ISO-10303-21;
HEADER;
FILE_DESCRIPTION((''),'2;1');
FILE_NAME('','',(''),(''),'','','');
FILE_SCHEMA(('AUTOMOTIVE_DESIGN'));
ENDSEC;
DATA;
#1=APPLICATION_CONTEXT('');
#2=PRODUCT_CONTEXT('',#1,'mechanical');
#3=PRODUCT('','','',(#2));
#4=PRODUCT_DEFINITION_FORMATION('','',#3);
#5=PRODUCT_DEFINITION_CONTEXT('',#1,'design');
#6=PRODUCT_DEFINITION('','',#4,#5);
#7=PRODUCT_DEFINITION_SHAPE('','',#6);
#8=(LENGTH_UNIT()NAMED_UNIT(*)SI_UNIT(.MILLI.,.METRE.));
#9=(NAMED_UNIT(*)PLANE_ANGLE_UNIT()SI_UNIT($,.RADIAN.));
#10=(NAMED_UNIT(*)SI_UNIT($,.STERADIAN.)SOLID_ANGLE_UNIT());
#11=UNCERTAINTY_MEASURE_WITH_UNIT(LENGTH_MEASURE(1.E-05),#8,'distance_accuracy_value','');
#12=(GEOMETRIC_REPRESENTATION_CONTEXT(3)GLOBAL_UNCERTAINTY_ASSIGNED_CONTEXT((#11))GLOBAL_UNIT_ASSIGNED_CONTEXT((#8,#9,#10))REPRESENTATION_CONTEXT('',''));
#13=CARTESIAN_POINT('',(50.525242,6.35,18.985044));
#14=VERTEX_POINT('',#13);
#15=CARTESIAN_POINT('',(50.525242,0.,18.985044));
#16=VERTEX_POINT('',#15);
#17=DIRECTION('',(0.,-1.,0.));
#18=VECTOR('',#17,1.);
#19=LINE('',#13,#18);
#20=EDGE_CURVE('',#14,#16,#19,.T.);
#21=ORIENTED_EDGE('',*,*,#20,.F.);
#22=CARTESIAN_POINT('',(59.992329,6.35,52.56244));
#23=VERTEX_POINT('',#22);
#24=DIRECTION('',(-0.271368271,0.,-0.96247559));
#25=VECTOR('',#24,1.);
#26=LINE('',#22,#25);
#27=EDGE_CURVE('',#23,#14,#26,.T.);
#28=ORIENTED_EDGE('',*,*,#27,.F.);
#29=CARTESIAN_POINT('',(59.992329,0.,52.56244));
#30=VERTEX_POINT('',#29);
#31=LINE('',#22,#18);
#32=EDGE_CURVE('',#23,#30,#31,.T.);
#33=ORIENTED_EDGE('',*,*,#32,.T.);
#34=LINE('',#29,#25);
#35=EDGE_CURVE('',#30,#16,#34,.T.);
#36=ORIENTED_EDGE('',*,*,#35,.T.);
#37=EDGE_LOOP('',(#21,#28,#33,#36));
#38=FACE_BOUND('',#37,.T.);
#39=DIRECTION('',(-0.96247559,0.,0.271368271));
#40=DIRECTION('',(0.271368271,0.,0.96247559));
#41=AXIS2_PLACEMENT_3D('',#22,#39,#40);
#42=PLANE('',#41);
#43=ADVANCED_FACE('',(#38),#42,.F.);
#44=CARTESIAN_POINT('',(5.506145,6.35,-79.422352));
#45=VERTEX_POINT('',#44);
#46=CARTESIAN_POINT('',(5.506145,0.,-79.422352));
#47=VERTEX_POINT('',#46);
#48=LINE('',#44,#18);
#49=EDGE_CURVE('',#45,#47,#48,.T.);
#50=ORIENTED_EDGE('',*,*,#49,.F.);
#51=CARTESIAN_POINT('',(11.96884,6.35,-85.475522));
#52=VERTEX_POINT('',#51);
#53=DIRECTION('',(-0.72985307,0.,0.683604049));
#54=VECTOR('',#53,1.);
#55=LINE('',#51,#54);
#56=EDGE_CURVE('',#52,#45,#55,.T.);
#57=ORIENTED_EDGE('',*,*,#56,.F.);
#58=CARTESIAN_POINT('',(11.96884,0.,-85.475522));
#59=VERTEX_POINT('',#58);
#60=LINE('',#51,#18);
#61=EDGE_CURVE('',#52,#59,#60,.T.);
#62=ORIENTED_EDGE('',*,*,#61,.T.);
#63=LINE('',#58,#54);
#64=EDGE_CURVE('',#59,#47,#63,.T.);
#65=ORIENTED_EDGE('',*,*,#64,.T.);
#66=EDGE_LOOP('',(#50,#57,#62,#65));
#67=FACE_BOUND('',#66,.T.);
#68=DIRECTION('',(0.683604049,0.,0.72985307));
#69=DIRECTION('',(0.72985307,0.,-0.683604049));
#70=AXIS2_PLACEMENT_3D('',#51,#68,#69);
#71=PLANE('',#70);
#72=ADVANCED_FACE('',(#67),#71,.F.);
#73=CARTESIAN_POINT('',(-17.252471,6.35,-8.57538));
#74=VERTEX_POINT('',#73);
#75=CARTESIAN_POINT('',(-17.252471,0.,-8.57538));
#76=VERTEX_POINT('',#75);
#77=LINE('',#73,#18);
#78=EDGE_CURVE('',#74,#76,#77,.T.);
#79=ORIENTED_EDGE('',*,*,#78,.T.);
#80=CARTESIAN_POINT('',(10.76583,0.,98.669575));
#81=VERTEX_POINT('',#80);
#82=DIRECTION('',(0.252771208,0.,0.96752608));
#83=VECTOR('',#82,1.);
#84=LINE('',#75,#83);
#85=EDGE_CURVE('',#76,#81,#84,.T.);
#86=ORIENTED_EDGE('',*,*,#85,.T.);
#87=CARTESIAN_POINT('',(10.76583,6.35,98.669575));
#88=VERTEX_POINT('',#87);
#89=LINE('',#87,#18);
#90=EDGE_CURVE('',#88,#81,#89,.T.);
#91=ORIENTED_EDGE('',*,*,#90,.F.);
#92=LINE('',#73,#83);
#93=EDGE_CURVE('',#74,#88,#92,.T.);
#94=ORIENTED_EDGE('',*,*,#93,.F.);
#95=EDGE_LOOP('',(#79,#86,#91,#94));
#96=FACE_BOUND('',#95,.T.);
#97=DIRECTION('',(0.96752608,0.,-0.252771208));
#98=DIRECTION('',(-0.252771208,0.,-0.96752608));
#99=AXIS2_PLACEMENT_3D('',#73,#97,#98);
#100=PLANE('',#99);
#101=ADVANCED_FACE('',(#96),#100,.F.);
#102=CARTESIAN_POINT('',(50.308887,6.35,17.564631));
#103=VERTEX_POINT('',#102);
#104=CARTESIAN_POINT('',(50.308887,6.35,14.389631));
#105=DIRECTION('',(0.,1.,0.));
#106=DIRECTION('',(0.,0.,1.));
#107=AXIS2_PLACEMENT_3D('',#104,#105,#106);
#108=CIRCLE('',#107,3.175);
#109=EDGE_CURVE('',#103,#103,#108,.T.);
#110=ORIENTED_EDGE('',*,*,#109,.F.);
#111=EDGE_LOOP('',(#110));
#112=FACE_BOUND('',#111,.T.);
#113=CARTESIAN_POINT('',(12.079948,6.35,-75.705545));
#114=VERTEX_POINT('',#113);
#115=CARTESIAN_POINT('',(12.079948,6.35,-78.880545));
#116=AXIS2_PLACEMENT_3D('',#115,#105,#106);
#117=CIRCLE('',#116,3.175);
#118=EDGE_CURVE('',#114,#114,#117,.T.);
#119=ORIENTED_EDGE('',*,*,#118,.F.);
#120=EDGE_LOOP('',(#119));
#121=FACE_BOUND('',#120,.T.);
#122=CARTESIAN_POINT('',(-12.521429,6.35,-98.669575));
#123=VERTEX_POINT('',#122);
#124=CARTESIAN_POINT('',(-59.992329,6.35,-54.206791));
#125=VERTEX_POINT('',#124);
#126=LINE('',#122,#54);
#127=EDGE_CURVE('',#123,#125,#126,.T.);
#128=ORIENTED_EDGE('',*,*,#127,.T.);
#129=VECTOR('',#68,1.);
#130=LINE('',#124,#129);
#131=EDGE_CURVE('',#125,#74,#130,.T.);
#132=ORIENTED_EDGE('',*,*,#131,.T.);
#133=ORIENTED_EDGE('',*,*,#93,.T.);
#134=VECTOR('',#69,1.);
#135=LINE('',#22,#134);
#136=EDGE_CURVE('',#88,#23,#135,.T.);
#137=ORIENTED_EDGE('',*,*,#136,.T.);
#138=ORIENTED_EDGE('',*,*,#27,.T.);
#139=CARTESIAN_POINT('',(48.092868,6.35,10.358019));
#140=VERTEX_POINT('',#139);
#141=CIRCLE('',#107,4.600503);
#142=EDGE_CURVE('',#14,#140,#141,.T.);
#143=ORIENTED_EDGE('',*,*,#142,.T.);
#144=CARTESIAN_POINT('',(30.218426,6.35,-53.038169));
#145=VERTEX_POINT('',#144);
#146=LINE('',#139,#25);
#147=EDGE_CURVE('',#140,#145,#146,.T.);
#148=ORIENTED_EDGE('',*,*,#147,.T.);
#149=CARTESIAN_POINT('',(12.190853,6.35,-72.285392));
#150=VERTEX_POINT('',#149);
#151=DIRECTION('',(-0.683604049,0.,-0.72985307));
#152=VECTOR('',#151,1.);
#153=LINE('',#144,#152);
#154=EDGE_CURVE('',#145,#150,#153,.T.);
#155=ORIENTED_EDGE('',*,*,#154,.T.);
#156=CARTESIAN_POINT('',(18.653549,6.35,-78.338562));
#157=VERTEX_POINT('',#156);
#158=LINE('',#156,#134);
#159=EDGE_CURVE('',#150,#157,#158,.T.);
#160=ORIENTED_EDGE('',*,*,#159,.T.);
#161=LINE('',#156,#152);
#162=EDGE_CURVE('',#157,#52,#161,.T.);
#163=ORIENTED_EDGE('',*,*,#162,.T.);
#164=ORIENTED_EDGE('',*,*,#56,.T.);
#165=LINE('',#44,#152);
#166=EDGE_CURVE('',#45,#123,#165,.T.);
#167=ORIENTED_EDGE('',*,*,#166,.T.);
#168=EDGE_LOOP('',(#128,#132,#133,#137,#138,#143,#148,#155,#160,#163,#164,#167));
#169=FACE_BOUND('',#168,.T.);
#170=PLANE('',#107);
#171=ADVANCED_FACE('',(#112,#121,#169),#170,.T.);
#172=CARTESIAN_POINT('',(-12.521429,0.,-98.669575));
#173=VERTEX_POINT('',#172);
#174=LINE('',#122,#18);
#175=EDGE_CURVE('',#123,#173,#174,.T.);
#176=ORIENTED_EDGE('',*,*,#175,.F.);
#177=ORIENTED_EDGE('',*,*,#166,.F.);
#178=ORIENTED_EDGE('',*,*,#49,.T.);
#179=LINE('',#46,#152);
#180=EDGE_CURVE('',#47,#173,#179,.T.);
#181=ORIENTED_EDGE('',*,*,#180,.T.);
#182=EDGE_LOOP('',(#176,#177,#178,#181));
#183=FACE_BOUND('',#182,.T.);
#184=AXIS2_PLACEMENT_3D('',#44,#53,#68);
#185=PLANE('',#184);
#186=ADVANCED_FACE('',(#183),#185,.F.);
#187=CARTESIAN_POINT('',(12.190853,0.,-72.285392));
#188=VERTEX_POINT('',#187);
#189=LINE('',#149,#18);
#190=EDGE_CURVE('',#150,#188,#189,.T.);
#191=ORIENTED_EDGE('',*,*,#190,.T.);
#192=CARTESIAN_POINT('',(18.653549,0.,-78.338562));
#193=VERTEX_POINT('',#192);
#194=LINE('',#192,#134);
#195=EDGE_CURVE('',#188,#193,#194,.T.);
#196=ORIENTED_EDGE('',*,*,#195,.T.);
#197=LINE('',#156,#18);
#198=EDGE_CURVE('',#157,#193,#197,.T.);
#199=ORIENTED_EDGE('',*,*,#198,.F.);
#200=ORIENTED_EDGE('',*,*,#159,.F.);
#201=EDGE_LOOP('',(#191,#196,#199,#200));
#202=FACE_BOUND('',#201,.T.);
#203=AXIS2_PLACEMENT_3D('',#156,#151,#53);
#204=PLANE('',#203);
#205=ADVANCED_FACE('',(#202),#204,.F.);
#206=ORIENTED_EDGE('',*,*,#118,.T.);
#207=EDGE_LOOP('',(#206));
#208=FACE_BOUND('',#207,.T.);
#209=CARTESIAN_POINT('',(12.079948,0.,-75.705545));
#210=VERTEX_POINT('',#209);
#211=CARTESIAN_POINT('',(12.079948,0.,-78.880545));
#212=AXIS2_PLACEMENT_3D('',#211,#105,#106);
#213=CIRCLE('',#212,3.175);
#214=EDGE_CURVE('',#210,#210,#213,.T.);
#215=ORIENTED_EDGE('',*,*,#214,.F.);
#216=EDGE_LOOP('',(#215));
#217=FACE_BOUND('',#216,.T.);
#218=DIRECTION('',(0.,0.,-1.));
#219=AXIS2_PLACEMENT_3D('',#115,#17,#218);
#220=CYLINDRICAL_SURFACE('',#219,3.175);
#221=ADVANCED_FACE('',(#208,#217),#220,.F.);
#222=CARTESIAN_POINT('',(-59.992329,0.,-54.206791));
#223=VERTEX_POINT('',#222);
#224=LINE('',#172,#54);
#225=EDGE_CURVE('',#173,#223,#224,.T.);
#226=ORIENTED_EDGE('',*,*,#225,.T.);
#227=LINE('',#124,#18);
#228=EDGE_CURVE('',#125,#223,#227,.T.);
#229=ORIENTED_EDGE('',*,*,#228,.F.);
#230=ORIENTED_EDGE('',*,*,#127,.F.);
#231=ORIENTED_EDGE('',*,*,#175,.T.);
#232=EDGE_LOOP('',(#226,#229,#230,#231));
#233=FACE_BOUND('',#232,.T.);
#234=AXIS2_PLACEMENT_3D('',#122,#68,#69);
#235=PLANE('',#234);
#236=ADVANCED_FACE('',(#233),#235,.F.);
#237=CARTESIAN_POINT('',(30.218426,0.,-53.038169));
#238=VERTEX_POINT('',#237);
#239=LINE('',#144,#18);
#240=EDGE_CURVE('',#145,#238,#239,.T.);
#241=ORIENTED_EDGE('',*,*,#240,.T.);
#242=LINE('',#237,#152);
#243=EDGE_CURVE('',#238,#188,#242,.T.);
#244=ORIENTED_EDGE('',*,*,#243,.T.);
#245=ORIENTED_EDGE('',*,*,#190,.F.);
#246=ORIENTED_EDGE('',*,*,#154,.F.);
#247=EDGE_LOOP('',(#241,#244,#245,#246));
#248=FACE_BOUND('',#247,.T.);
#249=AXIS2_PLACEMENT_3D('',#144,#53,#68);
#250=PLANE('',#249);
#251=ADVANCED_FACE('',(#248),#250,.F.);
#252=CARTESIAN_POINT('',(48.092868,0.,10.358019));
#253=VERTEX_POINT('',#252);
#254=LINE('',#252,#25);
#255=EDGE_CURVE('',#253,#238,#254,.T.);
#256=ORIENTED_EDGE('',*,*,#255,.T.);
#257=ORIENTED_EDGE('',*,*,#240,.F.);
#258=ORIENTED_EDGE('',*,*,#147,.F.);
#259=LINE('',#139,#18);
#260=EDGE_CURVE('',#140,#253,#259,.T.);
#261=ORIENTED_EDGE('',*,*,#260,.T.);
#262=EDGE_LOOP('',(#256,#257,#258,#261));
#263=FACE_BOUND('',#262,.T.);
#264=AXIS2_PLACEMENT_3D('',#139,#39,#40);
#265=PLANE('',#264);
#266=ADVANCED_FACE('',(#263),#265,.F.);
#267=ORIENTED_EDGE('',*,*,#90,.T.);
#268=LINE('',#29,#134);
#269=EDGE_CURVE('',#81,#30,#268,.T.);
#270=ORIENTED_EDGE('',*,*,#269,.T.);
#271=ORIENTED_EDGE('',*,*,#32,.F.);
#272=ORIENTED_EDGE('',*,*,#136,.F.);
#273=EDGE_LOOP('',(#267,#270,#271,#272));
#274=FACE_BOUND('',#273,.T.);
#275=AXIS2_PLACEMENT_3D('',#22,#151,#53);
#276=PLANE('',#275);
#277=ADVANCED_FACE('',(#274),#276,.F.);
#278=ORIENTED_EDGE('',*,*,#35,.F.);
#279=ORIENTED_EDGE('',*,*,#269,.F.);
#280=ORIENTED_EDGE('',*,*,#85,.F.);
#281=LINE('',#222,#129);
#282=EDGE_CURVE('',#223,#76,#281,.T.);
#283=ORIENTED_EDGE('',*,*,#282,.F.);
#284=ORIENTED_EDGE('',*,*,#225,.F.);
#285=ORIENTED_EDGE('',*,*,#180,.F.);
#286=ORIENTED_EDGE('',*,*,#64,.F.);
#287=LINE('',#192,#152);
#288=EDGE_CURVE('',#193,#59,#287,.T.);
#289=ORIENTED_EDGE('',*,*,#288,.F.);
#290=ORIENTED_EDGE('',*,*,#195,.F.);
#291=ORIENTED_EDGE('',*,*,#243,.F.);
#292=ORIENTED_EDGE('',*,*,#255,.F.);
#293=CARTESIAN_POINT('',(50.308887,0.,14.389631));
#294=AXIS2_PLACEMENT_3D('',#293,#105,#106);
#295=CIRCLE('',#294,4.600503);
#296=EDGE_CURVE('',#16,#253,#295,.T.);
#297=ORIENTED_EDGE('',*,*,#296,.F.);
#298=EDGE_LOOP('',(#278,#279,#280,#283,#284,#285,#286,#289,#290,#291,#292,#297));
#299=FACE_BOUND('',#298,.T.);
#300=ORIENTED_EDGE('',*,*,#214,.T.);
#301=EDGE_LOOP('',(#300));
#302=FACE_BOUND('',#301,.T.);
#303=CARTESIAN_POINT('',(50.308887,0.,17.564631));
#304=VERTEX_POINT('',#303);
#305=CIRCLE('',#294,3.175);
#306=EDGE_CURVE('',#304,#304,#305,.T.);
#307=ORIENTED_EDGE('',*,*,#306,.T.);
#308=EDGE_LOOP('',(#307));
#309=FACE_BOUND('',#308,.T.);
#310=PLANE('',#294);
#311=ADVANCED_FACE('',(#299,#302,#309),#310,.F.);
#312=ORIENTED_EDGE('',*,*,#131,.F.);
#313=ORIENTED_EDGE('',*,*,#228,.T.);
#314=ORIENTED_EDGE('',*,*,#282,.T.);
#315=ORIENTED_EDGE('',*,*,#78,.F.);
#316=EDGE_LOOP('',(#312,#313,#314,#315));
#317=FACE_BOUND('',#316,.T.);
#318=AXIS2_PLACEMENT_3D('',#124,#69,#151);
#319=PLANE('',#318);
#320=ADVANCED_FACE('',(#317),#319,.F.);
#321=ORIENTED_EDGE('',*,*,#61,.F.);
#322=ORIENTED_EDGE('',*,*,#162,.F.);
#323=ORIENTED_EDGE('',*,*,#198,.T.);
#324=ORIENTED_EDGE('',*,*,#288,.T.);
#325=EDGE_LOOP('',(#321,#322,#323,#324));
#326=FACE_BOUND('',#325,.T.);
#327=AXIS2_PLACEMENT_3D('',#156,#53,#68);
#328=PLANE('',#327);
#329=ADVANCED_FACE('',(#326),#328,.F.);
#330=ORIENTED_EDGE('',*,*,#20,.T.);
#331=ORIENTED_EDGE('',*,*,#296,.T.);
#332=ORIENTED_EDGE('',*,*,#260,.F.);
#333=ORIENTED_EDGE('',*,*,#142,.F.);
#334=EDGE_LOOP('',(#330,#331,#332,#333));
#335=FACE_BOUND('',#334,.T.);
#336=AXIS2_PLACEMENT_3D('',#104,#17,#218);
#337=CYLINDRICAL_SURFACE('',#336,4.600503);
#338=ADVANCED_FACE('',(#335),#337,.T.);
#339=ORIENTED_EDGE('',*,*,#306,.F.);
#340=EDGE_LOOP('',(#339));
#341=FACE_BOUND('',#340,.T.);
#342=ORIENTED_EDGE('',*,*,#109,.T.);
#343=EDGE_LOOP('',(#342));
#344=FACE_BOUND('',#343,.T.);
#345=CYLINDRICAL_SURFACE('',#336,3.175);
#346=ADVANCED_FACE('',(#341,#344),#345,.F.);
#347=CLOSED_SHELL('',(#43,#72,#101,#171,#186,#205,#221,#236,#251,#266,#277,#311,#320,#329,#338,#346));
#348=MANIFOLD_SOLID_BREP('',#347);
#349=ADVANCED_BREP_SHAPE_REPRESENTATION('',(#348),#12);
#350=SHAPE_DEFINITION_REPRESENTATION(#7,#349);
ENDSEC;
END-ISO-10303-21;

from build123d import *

# Parameters (mm, degrees)
SKETCH1_R           = 3.175
BOSS_EXTRUDE1_DEPTH = 6.35


with BuildPart() as part:
    # Sketch1 → Boss-Extrude1 (new body)
    with BuildSketch(Plane(origin=(0, 0, 0), x_dir=(1, 0, 0), z_dir=(0, 1, 0))):
        with BuildLine():
            Line((59.992329175, -52.562440303), (50.525242276, -18.985043707))
            ThreePointArc((50.525242276, -18.985043707), (54.736759655, -13.141199939), (48.092868173, -10.358019279))
            Line((48.092868173, -10.358019279), (30.218426447, 53.0381685))
            Line((30.218426447, 53.0381685), (12.190853288, 72.285391563))
            Line((12.190853288, 72.285391563), (18.653548719, 78.338561638))
            Line((18.653548719, 78.338561638), (11.968839999, 85.475522266))
            Line((11.968839999, 85.475522266), (5.506144568, 79.422352191))
            Line((5.506144568, 79.422352191), (-12.521428591, 98.669575253))
            Line((-12.521428591, 98.669575253), (-59.992329175, 54.206790652))
            Line((-59.992329175, 54.206790652), (-17.252470825, 8.575380364))
            Line((-17.252470825, 8.575380364), (10.765830225, -98.669575253))
            Line((10.765830225, -98.669575253), (59.992329175, -52.562440303))
        make_face()
        with Locations(Location((12.079948167, 78.880545368, 0), (0, 0, 270))):
            Circle(SKETCH1_R, mode=Mode.SUBTRACT)
        with Locations(Location((50.308887465, -14.389630582, 0), (0, 0, 270))):
            Circle(SKETCH1_R, mode=Mode.SUBTRACT)
    extrude(amount=BOSS_EXTRUDE1_DEPTH)


solid = part.part
